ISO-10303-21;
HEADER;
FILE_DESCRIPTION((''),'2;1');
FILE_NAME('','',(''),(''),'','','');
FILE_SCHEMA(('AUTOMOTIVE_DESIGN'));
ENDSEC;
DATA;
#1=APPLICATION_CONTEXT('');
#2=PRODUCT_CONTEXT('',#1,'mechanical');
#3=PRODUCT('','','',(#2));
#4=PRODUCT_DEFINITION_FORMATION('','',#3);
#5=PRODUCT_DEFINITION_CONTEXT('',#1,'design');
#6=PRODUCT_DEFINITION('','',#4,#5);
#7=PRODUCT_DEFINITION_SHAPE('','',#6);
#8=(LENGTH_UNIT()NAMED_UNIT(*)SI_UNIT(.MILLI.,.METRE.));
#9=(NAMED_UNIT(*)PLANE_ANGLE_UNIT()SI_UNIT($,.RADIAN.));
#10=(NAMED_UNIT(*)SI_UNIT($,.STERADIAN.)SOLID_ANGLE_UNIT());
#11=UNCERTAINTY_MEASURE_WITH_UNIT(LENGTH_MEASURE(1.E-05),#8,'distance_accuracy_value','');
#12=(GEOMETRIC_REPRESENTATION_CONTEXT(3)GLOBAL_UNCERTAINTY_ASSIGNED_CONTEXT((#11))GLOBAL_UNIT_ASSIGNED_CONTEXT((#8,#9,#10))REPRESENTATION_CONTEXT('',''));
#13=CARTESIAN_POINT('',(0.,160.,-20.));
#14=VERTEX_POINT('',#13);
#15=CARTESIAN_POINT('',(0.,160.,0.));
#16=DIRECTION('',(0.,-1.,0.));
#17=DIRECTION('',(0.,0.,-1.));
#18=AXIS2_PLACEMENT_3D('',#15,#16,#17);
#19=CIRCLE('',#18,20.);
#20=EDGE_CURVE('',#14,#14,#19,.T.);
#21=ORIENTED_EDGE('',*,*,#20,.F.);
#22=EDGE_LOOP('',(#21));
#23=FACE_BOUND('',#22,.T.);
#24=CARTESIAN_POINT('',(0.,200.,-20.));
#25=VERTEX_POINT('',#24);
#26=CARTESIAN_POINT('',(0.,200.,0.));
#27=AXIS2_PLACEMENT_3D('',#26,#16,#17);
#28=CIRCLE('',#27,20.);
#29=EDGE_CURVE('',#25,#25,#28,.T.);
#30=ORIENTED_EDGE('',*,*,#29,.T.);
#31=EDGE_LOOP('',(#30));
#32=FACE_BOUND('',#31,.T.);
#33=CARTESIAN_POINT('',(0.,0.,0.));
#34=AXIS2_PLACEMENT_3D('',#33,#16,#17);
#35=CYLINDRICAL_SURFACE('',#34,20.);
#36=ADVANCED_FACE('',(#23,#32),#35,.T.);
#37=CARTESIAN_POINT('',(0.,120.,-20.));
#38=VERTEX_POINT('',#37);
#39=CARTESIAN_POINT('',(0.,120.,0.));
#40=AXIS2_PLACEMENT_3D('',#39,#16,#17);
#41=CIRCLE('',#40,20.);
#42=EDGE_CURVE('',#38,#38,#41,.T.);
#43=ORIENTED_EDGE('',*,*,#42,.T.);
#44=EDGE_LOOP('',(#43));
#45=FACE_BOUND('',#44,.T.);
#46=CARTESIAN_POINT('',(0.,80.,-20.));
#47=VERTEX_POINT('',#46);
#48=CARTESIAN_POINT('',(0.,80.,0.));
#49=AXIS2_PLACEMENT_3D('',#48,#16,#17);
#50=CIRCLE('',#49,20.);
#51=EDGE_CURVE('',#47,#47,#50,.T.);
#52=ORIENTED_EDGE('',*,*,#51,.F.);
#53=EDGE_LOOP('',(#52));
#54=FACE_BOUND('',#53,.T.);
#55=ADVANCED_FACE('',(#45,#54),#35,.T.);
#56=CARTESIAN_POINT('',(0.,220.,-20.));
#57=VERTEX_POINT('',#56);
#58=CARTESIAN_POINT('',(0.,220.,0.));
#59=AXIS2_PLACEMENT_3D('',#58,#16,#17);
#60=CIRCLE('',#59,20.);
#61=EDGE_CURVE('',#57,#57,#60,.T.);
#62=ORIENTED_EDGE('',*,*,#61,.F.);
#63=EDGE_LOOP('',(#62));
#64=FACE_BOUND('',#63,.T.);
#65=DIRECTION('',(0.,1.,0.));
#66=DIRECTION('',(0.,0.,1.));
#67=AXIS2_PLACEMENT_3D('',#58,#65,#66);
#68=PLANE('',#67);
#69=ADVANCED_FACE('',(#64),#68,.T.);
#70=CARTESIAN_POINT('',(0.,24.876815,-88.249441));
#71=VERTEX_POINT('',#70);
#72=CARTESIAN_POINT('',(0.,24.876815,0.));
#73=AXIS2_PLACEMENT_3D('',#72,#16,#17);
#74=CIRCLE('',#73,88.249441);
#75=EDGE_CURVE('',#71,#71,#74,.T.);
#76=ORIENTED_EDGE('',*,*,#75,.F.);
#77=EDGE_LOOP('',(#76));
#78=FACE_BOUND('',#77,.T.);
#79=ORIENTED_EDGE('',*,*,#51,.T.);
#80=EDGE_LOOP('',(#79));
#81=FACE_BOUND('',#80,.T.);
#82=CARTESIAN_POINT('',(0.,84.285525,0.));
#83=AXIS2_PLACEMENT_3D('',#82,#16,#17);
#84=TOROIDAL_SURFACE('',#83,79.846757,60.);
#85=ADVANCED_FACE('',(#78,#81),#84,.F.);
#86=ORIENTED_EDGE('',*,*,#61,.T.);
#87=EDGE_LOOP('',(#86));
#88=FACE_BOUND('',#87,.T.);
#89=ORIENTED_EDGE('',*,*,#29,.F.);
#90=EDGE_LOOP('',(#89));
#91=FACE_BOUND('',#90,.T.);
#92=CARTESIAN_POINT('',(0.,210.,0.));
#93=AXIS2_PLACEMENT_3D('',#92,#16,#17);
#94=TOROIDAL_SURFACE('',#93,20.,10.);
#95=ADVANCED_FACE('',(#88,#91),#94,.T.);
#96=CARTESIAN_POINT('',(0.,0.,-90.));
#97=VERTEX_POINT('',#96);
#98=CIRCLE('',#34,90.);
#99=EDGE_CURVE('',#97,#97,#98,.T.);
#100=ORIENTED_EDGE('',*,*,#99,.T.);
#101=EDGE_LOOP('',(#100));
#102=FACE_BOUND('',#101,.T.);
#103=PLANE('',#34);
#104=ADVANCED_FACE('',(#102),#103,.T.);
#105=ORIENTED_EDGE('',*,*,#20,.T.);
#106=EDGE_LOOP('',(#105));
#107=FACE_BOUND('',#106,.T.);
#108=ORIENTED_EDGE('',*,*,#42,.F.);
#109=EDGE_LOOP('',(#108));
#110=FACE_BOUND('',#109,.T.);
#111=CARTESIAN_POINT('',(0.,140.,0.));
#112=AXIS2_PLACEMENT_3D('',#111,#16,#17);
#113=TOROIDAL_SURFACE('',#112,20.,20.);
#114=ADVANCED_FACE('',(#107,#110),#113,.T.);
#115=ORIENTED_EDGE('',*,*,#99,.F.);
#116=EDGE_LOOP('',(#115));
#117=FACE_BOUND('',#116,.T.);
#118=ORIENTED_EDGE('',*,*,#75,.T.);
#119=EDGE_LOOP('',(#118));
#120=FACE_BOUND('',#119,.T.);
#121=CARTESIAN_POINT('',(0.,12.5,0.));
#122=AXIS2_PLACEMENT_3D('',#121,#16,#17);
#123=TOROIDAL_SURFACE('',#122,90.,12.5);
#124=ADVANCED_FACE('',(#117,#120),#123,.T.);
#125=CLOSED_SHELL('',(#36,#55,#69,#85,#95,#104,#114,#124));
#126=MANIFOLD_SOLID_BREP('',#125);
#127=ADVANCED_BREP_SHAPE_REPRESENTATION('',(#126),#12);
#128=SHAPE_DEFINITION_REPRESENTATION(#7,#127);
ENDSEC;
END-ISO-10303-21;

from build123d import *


with BuildPart() as part:
    # Szkic1 → Obrót1 (revolve)
    with BuildSketch(Plane.XY, mode=Mode.PRIVATE) as obr_t1_sk:
        with BuildLine():
            Line((0, 0), (0, 220))
            Line((0, 220), (20, 220))
            ThreePointArc((20, 220), (30, 210), (20, 200))
            Line((20, 200), (20, 160))
            ThreePointArc((20, 160), (40, 140), (20, 120))
            Line((20, 120), (20, 80))
            ThreePointArc((20, 80), (42.147094318, 37.608598857), (88.249440789, 24.876814713))
            ThreePointArc((88.249440789, 24.876814713), (102.469165648, 13.377444039), (90, 0))
            Line((90, 0), (0, 0))
        make_face()
    revolve(obr_t1_sk.sketch.rotate(Axis((0, 0, 0), (0, 1, 0)), 90), axis=Axis((0, 0, 0), (0, 1, 0)))


solid = part.part
